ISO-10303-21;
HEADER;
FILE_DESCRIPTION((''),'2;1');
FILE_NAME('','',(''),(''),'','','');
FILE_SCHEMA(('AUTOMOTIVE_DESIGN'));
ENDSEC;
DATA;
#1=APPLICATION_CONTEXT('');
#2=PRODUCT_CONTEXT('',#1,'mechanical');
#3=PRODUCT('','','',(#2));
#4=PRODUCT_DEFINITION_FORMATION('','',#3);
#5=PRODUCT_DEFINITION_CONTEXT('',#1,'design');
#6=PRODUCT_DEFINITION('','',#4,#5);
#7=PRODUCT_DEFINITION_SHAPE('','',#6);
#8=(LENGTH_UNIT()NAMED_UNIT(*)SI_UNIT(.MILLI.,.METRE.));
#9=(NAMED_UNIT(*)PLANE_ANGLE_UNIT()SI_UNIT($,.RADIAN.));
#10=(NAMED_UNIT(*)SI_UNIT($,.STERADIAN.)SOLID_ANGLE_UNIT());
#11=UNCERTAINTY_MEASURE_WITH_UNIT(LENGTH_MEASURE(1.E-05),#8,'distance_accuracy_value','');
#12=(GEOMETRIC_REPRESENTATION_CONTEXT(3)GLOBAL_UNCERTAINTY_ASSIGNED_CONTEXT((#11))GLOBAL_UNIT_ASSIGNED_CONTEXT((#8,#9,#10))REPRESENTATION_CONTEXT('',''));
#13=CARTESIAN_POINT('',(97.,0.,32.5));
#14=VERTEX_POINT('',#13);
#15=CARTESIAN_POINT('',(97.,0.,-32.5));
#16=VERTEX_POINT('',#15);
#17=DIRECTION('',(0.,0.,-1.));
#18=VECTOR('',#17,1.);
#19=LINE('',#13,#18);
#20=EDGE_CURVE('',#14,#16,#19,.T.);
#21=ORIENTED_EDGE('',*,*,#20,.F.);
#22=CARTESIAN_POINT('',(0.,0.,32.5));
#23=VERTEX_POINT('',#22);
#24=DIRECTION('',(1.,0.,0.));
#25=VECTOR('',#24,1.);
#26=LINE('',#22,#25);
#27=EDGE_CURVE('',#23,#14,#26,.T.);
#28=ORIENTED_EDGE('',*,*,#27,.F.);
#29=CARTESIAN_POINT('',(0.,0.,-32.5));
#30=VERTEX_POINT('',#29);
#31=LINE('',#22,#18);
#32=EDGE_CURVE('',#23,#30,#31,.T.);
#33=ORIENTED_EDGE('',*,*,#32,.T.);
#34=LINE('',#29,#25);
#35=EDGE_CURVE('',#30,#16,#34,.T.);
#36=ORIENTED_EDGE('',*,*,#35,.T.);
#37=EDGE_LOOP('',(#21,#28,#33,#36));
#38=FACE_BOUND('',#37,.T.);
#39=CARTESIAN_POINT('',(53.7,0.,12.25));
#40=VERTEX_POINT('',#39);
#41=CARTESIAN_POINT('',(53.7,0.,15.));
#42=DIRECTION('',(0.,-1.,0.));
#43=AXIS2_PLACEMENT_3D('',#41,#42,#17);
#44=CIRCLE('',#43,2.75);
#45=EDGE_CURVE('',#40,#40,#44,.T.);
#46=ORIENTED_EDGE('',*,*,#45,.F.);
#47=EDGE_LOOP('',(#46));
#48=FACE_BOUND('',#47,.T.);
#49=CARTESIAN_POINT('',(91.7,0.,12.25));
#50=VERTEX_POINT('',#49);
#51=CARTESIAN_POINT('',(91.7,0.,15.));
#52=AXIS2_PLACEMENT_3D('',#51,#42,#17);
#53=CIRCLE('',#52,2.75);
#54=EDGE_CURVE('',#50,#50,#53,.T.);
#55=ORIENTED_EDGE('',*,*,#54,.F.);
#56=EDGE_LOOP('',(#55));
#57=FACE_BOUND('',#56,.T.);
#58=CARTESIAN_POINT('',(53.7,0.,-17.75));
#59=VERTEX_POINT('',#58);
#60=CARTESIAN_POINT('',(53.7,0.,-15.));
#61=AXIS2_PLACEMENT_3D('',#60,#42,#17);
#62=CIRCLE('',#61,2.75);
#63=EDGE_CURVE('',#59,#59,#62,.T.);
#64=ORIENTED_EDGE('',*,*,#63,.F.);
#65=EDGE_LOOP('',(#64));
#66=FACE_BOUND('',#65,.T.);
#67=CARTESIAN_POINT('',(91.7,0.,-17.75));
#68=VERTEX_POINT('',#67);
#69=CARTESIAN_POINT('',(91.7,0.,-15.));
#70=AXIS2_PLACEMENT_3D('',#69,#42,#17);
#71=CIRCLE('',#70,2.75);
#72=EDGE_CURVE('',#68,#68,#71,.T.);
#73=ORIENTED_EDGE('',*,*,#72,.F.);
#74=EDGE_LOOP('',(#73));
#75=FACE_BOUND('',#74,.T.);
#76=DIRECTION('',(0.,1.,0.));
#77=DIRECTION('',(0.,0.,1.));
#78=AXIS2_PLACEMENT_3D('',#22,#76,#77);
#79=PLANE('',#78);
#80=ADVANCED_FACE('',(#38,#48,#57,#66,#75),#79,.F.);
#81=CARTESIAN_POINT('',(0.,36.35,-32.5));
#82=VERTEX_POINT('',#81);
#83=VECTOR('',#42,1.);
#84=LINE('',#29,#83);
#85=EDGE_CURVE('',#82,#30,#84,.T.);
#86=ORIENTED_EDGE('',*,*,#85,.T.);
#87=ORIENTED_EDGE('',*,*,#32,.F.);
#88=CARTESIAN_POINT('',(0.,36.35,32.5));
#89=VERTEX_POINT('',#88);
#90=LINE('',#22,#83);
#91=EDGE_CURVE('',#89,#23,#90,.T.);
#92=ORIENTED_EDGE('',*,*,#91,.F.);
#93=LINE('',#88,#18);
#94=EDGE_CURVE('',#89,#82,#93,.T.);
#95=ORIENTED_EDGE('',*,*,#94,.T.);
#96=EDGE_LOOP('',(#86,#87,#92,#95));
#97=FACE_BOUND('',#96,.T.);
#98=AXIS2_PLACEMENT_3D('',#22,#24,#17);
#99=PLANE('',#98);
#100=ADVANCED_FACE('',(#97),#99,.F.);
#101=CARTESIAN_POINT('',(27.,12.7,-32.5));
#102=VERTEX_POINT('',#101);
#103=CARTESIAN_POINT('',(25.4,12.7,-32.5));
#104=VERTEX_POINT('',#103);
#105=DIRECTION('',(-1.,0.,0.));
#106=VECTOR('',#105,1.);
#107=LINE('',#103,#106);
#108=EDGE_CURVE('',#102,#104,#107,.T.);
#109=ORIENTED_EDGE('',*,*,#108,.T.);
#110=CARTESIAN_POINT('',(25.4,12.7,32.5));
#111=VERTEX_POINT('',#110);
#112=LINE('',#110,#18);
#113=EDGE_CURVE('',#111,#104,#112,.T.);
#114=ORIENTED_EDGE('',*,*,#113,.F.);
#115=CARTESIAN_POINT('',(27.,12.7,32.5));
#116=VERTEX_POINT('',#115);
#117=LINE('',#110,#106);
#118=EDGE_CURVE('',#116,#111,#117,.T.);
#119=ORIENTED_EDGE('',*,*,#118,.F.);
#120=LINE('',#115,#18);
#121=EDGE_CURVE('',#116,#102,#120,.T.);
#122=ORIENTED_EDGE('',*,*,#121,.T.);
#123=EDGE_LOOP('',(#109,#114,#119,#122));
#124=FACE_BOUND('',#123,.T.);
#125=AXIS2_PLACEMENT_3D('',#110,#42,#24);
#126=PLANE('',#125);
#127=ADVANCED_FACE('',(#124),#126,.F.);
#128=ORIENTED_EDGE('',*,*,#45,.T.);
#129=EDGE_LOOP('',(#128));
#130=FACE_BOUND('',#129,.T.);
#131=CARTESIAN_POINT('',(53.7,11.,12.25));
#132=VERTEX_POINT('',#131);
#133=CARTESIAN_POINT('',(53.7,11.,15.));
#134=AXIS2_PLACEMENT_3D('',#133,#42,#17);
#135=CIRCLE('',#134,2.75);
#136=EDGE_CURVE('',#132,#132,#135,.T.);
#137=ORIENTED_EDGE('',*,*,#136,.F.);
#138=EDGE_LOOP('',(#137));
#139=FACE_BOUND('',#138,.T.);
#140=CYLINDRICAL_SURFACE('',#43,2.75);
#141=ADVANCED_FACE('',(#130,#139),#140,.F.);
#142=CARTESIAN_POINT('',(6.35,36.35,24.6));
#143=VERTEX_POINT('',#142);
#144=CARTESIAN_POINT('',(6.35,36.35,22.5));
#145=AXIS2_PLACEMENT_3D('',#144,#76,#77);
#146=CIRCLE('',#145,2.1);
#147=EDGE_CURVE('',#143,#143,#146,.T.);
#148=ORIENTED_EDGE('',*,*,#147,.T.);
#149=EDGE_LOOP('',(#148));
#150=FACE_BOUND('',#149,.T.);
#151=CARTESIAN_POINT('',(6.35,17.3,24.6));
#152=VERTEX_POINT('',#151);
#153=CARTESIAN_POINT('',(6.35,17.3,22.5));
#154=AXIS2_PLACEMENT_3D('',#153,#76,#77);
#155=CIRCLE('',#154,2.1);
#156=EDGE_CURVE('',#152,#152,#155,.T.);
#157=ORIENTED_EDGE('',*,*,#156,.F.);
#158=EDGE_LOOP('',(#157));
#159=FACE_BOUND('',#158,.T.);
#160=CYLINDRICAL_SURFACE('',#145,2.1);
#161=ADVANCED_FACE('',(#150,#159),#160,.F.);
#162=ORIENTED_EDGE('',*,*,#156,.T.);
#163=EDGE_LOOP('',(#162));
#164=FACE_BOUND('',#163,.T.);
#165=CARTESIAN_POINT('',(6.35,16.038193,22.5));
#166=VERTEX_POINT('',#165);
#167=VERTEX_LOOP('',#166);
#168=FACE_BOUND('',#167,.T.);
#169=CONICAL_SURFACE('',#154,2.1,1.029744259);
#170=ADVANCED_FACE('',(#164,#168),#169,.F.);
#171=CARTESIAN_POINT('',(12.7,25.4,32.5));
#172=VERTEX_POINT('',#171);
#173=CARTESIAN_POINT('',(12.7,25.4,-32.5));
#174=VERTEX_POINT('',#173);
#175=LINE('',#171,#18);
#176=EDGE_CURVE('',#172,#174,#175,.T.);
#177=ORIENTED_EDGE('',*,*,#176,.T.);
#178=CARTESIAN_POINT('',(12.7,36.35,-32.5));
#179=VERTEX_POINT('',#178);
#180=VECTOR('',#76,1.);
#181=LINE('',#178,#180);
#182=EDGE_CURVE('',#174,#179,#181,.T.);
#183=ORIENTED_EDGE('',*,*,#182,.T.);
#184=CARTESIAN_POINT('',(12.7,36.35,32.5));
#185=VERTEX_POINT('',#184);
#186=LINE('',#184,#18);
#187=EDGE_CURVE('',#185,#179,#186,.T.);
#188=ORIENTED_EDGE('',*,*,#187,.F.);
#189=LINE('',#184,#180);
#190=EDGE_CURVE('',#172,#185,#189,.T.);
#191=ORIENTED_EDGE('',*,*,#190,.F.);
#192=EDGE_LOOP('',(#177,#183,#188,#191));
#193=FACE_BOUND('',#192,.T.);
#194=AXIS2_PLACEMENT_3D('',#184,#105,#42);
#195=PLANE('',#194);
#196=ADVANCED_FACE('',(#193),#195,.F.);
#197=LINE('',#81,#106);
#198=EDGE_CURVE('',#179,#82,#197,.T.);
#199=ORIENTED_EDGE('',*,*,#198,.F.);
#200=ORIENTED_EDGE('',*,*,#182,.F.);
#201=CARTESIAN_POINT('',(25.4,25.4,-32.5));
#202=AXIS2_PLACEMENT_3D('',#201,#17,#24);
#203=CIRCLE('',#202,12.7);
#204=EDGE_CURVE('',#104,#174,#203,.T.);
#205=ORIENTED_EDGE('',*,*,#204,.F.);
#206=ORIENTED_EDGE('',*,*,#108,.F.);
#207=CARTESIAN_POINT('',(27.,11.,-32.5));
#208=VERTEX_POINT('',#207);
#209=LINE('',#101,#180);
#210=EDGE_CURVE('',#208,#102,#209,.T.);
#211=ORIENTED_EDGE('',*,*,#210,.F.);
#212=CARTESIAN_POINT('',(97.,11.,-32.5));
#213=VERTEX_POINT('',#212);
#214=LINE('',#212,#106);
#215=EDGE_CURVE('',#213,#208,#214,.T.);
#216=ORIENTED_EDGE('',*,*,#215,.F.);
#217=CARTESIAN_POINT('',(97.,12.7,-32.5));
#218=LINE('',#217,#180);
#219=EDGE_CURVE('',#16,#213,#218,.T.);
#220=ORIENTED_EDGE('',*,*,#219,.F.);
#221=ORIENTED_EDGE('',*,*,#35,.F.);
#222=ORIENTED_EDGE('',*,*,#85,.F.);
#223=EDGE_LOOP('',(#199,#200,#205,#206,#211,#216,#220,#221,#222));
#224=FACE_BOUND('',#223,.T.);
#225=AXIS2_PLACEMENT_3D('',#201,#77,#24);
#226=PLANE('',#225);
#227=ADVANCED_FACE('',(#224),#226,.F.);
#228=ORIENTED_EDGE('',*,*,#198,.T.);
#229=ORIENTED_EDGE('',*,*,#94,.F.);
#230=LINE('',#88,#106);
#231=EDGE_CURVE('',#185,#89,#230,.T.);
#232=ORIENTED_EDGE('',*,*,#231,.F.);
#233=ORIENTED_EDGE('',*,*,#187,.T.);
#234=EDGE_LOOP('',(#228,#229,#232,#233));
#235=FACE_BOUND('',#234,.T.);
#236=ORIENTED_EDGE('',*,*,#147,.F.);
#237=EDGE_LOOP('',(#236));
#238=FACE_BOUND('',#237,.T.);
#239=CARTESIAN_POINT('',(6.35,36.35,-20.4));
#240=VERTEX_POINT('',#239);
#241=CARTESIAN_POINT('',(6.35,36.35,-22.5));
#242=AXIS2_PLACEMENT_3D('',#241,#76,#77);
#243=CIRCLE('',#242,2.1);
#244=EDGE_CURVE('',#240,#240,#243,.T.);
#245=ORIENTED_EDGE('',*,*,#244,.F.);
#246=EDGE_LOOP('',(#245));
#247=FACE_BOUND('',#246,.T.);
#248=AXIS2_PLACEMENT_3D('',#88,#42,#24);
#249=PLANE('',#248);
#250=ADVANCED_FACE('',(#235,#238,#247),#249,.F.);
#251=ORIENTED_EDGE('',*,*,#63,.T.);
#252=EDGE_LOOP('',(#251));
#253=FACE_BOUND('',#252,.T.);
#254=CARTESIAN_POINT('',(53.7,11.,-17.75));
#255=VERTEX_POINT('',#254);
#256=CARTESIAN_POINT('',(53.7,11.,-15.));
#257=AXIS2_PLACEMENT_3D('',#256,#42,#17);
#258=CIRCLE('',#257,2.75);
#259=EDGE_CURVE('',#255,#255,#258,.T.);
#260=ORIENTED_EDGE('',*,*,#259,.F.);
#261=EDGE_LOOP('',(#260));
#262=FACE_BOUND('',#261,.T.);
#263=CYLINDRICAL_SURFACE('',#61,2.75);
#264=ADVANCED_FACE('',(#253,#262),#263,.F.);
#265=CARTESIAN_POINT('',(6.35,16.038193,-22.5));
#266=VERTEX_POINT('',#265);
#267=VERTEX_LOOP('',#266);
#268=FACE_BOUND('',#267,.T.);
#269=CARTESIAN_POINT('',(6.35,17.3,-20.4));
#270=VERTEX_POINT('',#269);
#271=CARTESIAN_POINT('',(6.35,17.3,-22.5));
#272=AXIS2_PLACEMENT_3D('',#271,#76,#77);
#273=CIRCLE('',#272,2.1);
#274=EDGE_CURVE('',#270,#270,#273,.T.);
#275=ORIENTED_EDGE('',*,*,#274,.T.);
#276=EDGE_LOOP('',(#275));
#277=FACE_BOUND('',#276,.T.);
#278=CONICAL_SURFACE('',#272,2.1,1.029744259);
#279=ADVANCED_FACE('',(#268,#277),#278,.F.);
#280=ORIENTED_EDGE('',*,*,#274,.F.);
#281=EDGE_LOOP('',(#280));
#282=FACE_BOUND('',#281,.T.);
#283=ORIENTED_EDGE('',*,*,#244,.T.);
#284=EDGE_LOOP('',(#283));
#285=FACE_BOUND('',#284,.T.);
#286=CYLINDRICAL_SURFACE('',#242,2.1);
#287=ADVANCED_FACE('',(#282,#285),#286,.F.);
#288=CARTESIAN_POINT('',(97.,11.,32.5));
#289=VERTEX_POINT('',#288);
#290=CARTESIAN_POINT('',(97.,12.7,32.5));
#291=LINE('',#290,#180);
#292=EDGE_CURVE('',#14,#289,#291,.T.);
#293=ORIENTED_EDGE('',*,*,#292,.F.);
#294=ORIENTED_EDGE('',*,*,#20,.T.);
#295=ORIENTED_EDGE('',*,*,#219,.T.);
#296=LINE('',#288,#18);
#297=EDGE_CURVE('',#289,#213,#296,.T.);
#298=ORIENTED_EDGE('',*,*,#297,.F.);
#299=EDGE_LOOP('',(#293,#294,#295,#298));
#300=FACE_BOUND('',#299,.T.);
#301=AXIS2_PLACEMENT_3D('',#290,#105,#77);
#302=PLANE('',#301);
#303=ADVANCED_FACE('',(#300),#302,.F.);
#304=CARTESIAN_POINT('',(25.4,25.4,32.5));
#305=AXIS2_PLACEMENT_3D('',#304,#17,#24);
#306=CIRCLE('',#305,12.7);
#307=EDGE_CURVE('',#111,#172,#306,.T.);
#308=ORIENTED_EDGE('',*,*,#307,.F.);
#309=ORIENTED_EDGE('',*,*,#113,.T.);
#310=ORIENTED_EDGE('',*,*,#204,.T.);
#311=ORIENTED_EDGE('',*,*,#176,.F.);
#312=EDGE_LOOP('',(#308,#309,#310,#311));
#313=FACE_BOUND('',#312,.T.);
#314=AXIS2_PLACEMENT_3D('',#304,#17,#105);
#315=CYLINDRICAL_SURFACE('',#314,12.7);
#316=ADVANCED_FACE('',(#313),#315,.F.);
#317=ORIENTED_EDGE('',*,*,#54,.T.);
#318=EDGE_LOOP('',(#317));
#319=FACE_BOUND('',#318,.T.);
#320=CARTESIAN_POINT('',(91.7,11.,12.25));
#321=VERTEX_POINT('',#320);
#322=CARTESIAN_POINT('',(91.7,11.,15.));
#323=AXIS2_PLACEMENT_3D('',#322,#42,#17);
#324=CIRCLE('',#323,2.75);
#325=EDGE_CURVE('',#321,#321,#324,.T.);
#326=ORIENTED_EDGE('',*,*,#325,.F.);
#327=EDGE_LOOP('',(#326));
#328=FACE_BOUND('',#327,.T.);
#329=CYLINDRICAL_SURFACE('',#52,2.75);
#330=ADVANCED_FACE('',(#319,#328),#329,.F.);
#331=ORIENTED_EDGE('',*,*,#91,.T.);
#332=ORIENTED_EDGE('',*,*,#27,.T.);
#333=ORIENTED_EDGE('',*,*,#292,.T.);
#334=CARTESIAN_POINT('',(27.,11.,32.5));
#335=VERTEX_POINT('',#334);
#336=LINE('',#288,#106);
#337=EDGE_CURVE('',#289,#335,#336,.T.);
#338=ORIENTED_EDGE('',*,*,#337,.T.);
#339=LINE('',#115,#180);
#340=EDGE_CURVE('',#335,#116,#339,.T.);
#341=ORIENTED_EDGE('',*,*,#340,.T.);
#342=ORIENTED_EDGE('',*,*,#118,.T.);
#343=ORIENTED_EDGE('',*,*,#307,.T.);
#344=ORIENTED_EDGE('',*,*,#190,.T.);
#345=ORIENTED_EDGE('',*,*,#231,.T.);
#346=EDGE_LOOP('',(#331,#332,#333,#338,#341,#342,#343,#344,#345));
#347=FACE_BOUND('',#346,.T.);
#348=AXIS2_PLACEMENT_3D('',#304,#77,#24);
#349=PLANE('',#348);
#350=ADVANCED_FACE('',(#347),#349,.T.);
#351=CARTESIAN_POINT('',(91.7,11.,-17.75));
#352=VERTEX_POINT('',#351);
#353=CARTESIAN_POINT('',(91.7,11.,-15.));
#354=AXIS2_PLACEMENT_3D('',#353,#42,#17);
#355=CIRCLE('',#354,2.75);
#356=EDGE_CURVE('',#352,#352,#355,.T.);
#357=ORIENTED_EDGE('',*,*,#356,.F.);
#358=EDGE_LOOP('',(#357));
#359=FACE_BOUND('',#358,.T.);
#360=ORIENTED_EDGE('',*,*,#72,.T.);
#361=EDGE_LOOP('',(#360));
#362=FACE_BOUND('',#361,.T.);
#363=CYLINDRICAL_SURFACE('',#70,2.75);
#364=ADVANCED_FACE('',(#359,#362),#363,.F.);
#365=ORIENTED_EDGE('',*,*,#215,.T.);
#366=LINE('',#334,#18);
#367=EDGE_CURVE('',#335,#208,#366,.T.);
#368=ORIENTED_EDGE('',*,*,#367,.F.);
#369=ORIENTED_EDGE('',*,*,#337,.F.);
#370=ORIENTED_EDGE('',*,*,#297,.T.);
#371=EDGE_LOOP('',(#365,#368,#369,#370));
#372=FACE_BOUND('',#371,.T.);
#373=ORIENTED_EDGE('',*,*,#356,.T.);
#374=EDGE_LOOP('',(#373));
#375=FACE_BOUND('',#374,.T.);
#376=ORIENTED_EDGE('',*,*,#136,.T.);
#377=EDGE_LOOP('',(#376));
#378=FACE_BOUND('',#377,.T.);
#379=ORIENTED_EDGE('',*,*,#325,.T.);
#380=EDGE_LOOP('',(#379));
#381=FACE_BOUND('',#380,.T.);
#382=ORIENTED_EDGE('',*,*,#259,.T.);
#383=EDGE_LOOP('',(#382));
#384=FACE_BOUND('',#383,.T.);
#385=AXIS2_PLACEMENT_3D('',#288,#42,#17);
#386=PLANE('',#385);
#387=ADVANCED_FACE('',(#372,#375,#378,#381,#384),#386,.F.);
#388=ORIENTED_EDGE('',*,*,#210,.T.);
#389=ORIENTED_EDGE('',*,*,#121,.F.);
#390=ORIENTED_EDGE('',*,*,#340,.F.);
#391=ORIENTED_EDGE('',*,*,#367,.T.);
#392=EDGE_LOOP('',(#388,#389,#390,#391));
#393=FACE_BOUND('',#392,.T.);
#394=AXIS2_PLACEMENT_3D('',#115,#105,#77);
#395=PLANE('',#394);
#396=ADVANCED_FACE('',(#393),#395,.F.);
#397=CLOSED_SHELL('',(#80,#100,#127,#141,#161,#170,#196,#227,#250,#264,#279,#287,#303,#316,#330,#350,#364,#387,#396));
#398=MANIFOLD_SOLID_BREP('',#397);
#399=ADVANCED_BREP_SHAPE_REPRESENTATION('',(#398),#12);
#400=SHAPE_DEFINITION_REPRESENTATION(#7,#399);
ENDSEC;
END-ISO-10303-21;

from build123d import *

# Parameters (mm, degrees)
EXTRUDE1_DEPTH            = 32.5
SKETCH2_W                 = 70
SKETCH2_H                 = 1.7
CUT_EXTRUDE1_DEPTH        = 123.291955991
M5_CLEARANCE_HOLE1_D      = 5.5
M5X0_8_TAPPED_HOLE1_D     = 4.2
M5X0_8_TAPPED_HOLE1_DEPTH = 19.05
M5X0_8_TAPPED_HOLE1_TIP   = 1.2618073


with BuildPart() as part:
    # Sketch1 → Extrude1 (new, symmetric)
    with BuildSketch(Plane.XY):
        with BuildLine():
            Line((0, 0), (97, 0))
            Line((97, 0), (97, 12.7))
            Line((97, 12.7), (25.4, 12.7))
            ThreePointArc((25.4, 12.7), (16.419743879, 16.419743879), (12.7, 25.4))
            Line((12.7, 25.4), (12.7, 36.35))
            Line((12.7, 36.35), (0, 36.35))
            Line((0, 36.35), (0, 0))
        make_face()
    extrude(amount=EXTRUDE1_DEPTH, both=True)

    # Sketch2 → Cut-Extrude1 (cut, through all)
    with BuildSketch(Plane(origin=(0, 0, -32.5), x_dir=(-1, 0, 0), z_dir=(0, 0, -1))):
        with Locations((-62, 11.85)):
            Rectangle(SKETCH2_W, SKETCH2_H)
    extrude(amount=-CUT_EXTRUDE1_DEPTH, mode=Mode.SUBTRACT)

    # M5 Clearance Hole1 (through all)
    with Locations(Plane.XZ):
        with Locations((53.7, 15), (91.7, 15), (91.7, -15), (53.7, -15)):
            Hole(M5_CLEARANCE_HOLE1_D / 2)

    # M5x0.8 Tapped Hole1
    with Locations(Plane(origin=(0, 36.35, 0), x_dir=(-1, 0, 0), z_dir=(0, 1, 0))):
        with Locations((-6.35, 22.5), (-6.35, -22.5)):
            Hole(M5X0_8_TAPPED_HOLE1_D / 2, depth=M5X0_8_TAPPED_HOLE1_DEPTH)
            with Locations((0, 0, -(M5X0_8_TAPPED_HOLE1_DEPTH + M5X0_8_TAPPED_HOLE1_TIP / 2))):  # 118° drill point
                Cone(0, M5X0_8_TAPPED_HOLE1_D / 2, M5X0_8_TAPPED_HOLE1_TIP, mode=Mode.SUBTRACT)


solid = part.part
